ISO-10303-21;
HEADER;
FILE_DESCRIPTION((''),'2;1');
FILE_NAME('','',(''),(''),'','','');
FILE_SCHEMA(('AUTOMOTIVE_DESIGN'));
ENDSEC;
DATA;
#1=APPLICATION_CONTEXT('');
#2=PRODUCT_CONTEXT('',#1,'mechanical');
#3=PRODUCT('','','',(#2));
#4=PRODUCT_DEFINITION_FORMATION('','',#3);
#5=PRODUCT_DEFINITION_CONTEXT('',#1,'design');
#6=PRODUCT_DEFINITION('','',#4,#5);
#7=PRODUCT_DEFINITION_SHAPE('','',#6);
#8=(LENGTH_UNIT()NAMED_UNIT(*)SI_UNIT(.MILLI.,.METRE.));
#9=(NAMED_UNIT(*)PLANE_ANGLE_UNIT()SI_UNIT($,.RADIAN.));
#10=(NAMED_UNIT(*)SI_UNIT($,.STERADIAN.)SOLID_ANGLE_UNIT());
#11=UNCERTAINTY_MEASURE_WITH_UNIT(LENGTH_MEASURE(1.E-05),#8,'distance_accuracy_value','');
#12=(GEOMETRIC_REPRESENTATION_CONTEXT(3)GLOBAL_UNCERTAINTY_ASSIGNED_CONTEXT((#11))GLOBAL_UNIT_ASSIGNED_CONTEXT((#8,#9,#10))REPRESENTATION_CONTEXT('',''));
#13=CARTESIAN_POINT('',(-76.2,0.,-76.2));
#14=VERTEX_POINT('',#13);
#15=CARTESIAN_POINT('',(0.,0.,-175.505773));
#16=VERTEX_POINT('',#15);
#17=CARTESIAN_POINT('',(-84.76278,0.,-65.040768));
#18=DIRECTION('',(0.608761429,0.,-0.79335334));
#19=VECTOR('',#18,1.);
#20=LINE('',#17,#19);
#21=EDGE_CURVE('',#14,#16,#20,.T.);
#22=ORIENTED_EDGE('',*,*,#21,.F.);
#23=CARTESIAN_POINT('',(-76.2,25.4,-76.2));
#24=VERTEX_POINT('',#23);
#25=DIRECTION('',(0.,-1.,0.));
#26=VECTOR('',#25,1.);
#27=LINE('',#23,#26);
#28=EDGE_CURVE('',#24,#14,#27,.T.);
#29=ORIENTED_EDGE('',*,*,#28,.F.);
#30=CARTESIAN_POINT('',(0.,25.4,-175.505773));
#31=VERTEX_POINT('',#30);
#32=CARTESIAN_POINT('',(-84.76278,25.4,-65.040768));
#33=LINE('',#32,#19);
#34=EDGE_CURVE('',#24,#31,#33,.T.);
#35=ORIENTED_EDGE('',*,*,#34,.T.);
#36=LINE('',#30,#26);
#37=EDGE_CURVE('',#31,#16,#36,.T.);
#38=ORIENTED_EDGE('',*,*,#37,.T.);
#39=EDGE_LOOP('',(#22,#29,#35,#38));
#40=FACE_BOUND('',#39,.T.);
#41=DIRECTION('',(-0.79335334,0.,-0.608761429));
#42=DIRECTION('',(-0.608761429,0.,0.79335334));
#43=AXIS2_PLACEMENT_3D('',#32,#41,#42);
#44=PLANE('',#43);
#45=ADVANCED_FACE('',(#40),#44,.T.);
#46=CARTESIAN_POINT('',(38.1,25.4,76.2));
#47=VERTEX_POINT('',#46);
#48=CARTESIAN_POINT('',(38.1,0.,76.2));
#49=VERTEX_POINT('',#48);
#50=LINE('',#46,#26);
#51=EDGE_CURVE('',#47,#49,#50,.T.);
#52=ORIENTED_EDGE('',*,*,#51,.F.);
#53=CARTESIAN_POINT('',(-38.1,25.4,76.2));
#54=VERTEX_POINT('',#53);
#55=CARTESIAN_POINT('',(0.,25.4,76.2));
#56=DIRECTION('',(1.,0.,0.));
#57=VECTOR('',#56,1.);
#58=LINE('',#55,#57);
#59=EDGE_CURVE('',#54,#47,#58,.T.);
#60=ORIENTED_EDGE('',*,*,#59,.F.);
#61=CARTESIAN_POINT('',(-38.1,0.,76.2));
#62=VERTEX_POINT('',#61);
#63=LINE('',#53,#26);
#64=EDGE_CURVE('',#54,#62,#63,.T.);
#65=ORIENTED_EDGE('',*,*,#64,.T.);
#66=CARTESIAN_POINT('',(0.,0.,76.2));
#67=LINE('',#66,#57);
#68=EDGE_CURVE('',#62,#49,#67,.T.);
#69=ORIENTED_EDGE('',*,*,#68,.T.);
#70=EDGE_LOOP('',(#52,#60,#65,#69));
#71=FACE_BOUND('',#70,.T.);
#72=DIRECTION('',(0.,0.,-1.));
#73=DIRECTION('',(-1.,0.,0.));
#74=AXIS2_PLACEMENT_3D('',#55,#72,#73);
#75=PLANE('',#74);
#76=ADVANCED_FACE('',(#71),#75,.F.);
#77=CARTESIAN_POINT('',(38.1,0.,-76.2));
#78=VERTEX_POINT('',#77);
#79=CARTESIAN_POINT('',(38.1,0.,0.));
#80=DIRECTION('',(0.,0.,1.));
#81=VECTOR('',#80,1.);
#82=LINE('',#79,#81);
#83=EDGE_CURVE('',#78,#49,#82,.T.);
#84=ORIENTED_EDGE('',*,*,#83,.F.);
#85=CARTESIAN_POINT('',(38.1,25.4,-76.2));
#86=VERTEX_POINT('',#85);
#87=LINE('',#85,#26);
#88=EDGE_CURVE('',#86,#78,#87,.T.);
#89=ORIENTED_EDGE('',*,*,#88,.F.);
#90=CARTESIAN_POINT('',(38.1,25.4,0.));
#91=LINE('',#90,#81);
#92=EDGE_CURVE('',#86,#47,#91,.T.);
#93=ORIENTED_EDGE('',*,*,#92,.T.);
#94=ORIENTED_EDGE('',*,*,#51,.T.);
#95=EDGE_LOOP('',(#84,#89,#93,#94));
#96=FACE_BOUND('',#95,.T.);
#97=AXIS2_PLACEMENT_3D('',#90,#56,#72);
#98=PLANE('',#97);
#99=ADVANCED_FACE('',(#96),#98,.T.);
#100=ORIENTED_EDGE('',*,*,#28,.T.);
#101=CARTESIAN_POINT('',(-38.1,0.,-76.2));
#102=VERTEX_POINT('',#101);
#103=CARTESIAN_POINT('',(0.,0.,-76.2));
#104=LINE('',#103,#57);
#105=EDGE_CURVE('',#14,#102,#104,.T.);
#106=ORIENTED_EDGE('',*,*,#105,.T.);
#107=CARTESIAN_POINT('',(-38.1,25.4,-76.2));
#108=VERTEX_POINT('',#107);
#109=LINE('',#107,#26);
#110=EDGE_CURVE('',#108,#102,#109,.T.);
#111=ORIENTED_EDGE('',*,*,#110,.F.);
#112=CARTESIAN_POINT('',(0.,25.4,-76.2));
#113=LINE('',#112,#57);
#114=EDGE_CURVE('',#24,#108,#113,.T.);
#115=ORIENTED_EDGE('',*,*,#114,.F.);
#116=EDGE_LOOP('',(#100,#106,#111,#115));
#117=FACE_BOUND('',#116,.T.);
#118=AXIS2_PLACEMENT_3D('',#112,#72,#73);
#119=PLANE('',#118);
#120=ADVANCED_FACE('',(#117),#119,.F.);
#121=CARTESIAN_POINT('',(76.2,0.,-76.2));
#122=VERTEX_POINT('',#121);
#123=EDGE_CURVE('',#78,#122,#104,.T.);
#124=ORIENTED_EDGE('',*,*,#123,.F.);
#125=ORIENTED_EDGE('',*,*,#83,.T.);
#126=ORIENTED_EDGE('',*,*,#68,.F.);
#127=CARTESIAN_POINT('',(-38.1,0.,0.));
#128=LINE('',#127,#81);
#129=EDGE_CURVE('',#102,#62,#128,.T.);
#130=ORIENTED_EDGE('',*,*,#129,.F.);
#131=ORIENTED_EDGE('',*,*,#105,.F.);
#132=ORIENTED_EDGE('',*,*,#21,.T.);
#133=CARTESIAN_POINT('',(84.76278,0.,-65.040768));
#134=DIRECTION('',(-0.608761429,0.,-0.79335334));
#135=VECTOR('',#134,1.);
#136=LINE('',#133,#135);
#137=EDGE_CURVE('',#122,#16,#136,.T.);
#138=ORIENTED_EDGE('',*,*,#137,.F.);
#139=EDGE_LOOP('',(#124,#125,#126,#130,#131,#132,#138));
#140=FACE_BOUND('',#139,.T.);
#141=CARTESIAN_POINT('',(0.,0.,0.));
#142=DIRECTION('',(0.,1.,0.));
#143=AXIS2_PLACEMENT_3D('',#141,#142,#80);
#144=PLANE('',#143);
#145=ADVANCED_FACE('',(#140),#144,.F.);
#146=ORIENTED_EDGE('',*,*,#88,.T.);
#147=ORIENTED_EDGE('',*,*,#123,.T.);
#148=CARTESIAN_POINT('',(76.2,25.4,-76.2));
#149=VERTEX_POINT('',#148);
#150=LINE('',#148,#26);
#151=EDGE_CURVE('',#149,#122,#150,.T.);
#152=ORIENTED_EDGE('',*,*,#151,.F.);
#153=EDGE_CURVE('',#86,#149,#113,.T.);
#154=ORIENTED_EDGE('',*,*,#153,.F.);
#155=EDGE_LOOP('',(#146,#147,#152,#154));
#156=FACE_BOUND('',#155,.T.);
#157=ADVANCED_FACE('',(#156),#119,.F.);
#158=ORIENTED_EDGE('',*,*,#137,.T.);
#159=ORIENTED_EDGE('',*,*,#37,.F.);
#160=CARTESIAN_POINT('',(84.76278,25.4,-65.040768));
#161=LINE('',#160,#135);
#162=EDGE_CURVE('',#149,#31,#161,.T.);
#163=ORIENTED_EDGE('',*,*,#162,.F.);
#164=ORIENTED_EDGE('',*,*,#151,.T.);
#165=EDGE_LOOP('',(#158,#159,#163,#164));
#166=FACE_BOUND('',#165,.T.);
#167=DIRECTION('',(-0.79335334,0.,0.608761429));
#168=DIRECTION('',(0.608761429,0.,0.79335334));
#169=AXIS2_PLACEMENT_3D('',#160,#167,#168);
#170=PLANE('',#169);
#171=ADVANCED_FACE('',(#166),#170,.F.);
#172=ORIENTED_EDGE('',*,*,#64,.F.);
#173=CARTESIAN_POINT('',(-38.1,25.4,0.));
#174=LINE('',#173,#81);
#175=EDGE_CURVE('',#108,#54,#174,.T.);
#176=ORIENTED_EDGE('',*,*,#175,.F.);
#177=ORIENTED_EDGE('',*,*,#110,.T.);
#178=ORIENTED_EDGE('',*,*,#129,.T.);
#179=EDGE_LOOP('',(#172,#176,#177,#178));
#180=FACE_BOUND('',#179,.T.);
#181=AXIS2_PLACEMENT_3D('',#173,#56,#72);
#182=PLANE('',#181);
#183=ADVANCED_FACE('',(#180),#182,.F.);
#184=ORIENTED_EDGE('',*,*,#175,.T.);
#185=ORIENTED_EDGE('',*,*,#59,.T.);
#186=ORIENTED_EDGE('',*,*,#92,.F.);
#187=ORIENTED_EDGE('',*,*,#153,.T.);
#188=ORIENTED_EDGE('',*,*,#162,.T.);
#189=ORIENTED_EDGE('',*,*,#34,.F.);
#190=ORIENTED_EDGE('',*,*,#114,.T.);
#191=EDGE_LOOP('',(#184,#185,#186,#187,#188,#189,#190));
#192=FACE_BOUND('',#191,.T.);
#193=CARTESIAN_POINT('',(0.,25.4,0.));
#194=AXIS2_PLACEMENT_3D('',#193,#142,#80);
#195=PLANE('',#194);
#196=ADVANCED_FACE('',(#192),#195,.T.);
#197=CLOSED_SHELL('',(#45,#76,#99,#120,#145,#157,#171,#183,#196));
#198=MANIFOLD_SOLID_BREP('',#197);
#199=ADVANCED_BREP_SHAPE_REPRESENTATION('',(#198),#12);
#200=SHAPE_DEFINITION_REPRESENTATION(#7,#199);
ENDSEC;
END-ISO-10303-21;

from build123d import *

# Parameters (mm, degrees)
SKETCH1_W           = 76.2
SKETCH1_H           = 152.4
BOSS_EXTRUDE1_DEPTH = 25.4


with BuildPart() as part:
    # Sketch1 → Boss-Extrude1 (new body)
    with BuildSketch(Plane(origin=(0, 0, 0), x_dir=(1, 0, 0), z_dir=(0, 1, 0))):
        Polygon((-76.2, 76.2), (76.2, 76.2), (0, 175.505773411), align=None)
        Rectangle(SKETCH1_W, SKETCH1_H)
    extrude(amount=BOSS_EXTRUDE1_DEPTH)


solid = part.part
